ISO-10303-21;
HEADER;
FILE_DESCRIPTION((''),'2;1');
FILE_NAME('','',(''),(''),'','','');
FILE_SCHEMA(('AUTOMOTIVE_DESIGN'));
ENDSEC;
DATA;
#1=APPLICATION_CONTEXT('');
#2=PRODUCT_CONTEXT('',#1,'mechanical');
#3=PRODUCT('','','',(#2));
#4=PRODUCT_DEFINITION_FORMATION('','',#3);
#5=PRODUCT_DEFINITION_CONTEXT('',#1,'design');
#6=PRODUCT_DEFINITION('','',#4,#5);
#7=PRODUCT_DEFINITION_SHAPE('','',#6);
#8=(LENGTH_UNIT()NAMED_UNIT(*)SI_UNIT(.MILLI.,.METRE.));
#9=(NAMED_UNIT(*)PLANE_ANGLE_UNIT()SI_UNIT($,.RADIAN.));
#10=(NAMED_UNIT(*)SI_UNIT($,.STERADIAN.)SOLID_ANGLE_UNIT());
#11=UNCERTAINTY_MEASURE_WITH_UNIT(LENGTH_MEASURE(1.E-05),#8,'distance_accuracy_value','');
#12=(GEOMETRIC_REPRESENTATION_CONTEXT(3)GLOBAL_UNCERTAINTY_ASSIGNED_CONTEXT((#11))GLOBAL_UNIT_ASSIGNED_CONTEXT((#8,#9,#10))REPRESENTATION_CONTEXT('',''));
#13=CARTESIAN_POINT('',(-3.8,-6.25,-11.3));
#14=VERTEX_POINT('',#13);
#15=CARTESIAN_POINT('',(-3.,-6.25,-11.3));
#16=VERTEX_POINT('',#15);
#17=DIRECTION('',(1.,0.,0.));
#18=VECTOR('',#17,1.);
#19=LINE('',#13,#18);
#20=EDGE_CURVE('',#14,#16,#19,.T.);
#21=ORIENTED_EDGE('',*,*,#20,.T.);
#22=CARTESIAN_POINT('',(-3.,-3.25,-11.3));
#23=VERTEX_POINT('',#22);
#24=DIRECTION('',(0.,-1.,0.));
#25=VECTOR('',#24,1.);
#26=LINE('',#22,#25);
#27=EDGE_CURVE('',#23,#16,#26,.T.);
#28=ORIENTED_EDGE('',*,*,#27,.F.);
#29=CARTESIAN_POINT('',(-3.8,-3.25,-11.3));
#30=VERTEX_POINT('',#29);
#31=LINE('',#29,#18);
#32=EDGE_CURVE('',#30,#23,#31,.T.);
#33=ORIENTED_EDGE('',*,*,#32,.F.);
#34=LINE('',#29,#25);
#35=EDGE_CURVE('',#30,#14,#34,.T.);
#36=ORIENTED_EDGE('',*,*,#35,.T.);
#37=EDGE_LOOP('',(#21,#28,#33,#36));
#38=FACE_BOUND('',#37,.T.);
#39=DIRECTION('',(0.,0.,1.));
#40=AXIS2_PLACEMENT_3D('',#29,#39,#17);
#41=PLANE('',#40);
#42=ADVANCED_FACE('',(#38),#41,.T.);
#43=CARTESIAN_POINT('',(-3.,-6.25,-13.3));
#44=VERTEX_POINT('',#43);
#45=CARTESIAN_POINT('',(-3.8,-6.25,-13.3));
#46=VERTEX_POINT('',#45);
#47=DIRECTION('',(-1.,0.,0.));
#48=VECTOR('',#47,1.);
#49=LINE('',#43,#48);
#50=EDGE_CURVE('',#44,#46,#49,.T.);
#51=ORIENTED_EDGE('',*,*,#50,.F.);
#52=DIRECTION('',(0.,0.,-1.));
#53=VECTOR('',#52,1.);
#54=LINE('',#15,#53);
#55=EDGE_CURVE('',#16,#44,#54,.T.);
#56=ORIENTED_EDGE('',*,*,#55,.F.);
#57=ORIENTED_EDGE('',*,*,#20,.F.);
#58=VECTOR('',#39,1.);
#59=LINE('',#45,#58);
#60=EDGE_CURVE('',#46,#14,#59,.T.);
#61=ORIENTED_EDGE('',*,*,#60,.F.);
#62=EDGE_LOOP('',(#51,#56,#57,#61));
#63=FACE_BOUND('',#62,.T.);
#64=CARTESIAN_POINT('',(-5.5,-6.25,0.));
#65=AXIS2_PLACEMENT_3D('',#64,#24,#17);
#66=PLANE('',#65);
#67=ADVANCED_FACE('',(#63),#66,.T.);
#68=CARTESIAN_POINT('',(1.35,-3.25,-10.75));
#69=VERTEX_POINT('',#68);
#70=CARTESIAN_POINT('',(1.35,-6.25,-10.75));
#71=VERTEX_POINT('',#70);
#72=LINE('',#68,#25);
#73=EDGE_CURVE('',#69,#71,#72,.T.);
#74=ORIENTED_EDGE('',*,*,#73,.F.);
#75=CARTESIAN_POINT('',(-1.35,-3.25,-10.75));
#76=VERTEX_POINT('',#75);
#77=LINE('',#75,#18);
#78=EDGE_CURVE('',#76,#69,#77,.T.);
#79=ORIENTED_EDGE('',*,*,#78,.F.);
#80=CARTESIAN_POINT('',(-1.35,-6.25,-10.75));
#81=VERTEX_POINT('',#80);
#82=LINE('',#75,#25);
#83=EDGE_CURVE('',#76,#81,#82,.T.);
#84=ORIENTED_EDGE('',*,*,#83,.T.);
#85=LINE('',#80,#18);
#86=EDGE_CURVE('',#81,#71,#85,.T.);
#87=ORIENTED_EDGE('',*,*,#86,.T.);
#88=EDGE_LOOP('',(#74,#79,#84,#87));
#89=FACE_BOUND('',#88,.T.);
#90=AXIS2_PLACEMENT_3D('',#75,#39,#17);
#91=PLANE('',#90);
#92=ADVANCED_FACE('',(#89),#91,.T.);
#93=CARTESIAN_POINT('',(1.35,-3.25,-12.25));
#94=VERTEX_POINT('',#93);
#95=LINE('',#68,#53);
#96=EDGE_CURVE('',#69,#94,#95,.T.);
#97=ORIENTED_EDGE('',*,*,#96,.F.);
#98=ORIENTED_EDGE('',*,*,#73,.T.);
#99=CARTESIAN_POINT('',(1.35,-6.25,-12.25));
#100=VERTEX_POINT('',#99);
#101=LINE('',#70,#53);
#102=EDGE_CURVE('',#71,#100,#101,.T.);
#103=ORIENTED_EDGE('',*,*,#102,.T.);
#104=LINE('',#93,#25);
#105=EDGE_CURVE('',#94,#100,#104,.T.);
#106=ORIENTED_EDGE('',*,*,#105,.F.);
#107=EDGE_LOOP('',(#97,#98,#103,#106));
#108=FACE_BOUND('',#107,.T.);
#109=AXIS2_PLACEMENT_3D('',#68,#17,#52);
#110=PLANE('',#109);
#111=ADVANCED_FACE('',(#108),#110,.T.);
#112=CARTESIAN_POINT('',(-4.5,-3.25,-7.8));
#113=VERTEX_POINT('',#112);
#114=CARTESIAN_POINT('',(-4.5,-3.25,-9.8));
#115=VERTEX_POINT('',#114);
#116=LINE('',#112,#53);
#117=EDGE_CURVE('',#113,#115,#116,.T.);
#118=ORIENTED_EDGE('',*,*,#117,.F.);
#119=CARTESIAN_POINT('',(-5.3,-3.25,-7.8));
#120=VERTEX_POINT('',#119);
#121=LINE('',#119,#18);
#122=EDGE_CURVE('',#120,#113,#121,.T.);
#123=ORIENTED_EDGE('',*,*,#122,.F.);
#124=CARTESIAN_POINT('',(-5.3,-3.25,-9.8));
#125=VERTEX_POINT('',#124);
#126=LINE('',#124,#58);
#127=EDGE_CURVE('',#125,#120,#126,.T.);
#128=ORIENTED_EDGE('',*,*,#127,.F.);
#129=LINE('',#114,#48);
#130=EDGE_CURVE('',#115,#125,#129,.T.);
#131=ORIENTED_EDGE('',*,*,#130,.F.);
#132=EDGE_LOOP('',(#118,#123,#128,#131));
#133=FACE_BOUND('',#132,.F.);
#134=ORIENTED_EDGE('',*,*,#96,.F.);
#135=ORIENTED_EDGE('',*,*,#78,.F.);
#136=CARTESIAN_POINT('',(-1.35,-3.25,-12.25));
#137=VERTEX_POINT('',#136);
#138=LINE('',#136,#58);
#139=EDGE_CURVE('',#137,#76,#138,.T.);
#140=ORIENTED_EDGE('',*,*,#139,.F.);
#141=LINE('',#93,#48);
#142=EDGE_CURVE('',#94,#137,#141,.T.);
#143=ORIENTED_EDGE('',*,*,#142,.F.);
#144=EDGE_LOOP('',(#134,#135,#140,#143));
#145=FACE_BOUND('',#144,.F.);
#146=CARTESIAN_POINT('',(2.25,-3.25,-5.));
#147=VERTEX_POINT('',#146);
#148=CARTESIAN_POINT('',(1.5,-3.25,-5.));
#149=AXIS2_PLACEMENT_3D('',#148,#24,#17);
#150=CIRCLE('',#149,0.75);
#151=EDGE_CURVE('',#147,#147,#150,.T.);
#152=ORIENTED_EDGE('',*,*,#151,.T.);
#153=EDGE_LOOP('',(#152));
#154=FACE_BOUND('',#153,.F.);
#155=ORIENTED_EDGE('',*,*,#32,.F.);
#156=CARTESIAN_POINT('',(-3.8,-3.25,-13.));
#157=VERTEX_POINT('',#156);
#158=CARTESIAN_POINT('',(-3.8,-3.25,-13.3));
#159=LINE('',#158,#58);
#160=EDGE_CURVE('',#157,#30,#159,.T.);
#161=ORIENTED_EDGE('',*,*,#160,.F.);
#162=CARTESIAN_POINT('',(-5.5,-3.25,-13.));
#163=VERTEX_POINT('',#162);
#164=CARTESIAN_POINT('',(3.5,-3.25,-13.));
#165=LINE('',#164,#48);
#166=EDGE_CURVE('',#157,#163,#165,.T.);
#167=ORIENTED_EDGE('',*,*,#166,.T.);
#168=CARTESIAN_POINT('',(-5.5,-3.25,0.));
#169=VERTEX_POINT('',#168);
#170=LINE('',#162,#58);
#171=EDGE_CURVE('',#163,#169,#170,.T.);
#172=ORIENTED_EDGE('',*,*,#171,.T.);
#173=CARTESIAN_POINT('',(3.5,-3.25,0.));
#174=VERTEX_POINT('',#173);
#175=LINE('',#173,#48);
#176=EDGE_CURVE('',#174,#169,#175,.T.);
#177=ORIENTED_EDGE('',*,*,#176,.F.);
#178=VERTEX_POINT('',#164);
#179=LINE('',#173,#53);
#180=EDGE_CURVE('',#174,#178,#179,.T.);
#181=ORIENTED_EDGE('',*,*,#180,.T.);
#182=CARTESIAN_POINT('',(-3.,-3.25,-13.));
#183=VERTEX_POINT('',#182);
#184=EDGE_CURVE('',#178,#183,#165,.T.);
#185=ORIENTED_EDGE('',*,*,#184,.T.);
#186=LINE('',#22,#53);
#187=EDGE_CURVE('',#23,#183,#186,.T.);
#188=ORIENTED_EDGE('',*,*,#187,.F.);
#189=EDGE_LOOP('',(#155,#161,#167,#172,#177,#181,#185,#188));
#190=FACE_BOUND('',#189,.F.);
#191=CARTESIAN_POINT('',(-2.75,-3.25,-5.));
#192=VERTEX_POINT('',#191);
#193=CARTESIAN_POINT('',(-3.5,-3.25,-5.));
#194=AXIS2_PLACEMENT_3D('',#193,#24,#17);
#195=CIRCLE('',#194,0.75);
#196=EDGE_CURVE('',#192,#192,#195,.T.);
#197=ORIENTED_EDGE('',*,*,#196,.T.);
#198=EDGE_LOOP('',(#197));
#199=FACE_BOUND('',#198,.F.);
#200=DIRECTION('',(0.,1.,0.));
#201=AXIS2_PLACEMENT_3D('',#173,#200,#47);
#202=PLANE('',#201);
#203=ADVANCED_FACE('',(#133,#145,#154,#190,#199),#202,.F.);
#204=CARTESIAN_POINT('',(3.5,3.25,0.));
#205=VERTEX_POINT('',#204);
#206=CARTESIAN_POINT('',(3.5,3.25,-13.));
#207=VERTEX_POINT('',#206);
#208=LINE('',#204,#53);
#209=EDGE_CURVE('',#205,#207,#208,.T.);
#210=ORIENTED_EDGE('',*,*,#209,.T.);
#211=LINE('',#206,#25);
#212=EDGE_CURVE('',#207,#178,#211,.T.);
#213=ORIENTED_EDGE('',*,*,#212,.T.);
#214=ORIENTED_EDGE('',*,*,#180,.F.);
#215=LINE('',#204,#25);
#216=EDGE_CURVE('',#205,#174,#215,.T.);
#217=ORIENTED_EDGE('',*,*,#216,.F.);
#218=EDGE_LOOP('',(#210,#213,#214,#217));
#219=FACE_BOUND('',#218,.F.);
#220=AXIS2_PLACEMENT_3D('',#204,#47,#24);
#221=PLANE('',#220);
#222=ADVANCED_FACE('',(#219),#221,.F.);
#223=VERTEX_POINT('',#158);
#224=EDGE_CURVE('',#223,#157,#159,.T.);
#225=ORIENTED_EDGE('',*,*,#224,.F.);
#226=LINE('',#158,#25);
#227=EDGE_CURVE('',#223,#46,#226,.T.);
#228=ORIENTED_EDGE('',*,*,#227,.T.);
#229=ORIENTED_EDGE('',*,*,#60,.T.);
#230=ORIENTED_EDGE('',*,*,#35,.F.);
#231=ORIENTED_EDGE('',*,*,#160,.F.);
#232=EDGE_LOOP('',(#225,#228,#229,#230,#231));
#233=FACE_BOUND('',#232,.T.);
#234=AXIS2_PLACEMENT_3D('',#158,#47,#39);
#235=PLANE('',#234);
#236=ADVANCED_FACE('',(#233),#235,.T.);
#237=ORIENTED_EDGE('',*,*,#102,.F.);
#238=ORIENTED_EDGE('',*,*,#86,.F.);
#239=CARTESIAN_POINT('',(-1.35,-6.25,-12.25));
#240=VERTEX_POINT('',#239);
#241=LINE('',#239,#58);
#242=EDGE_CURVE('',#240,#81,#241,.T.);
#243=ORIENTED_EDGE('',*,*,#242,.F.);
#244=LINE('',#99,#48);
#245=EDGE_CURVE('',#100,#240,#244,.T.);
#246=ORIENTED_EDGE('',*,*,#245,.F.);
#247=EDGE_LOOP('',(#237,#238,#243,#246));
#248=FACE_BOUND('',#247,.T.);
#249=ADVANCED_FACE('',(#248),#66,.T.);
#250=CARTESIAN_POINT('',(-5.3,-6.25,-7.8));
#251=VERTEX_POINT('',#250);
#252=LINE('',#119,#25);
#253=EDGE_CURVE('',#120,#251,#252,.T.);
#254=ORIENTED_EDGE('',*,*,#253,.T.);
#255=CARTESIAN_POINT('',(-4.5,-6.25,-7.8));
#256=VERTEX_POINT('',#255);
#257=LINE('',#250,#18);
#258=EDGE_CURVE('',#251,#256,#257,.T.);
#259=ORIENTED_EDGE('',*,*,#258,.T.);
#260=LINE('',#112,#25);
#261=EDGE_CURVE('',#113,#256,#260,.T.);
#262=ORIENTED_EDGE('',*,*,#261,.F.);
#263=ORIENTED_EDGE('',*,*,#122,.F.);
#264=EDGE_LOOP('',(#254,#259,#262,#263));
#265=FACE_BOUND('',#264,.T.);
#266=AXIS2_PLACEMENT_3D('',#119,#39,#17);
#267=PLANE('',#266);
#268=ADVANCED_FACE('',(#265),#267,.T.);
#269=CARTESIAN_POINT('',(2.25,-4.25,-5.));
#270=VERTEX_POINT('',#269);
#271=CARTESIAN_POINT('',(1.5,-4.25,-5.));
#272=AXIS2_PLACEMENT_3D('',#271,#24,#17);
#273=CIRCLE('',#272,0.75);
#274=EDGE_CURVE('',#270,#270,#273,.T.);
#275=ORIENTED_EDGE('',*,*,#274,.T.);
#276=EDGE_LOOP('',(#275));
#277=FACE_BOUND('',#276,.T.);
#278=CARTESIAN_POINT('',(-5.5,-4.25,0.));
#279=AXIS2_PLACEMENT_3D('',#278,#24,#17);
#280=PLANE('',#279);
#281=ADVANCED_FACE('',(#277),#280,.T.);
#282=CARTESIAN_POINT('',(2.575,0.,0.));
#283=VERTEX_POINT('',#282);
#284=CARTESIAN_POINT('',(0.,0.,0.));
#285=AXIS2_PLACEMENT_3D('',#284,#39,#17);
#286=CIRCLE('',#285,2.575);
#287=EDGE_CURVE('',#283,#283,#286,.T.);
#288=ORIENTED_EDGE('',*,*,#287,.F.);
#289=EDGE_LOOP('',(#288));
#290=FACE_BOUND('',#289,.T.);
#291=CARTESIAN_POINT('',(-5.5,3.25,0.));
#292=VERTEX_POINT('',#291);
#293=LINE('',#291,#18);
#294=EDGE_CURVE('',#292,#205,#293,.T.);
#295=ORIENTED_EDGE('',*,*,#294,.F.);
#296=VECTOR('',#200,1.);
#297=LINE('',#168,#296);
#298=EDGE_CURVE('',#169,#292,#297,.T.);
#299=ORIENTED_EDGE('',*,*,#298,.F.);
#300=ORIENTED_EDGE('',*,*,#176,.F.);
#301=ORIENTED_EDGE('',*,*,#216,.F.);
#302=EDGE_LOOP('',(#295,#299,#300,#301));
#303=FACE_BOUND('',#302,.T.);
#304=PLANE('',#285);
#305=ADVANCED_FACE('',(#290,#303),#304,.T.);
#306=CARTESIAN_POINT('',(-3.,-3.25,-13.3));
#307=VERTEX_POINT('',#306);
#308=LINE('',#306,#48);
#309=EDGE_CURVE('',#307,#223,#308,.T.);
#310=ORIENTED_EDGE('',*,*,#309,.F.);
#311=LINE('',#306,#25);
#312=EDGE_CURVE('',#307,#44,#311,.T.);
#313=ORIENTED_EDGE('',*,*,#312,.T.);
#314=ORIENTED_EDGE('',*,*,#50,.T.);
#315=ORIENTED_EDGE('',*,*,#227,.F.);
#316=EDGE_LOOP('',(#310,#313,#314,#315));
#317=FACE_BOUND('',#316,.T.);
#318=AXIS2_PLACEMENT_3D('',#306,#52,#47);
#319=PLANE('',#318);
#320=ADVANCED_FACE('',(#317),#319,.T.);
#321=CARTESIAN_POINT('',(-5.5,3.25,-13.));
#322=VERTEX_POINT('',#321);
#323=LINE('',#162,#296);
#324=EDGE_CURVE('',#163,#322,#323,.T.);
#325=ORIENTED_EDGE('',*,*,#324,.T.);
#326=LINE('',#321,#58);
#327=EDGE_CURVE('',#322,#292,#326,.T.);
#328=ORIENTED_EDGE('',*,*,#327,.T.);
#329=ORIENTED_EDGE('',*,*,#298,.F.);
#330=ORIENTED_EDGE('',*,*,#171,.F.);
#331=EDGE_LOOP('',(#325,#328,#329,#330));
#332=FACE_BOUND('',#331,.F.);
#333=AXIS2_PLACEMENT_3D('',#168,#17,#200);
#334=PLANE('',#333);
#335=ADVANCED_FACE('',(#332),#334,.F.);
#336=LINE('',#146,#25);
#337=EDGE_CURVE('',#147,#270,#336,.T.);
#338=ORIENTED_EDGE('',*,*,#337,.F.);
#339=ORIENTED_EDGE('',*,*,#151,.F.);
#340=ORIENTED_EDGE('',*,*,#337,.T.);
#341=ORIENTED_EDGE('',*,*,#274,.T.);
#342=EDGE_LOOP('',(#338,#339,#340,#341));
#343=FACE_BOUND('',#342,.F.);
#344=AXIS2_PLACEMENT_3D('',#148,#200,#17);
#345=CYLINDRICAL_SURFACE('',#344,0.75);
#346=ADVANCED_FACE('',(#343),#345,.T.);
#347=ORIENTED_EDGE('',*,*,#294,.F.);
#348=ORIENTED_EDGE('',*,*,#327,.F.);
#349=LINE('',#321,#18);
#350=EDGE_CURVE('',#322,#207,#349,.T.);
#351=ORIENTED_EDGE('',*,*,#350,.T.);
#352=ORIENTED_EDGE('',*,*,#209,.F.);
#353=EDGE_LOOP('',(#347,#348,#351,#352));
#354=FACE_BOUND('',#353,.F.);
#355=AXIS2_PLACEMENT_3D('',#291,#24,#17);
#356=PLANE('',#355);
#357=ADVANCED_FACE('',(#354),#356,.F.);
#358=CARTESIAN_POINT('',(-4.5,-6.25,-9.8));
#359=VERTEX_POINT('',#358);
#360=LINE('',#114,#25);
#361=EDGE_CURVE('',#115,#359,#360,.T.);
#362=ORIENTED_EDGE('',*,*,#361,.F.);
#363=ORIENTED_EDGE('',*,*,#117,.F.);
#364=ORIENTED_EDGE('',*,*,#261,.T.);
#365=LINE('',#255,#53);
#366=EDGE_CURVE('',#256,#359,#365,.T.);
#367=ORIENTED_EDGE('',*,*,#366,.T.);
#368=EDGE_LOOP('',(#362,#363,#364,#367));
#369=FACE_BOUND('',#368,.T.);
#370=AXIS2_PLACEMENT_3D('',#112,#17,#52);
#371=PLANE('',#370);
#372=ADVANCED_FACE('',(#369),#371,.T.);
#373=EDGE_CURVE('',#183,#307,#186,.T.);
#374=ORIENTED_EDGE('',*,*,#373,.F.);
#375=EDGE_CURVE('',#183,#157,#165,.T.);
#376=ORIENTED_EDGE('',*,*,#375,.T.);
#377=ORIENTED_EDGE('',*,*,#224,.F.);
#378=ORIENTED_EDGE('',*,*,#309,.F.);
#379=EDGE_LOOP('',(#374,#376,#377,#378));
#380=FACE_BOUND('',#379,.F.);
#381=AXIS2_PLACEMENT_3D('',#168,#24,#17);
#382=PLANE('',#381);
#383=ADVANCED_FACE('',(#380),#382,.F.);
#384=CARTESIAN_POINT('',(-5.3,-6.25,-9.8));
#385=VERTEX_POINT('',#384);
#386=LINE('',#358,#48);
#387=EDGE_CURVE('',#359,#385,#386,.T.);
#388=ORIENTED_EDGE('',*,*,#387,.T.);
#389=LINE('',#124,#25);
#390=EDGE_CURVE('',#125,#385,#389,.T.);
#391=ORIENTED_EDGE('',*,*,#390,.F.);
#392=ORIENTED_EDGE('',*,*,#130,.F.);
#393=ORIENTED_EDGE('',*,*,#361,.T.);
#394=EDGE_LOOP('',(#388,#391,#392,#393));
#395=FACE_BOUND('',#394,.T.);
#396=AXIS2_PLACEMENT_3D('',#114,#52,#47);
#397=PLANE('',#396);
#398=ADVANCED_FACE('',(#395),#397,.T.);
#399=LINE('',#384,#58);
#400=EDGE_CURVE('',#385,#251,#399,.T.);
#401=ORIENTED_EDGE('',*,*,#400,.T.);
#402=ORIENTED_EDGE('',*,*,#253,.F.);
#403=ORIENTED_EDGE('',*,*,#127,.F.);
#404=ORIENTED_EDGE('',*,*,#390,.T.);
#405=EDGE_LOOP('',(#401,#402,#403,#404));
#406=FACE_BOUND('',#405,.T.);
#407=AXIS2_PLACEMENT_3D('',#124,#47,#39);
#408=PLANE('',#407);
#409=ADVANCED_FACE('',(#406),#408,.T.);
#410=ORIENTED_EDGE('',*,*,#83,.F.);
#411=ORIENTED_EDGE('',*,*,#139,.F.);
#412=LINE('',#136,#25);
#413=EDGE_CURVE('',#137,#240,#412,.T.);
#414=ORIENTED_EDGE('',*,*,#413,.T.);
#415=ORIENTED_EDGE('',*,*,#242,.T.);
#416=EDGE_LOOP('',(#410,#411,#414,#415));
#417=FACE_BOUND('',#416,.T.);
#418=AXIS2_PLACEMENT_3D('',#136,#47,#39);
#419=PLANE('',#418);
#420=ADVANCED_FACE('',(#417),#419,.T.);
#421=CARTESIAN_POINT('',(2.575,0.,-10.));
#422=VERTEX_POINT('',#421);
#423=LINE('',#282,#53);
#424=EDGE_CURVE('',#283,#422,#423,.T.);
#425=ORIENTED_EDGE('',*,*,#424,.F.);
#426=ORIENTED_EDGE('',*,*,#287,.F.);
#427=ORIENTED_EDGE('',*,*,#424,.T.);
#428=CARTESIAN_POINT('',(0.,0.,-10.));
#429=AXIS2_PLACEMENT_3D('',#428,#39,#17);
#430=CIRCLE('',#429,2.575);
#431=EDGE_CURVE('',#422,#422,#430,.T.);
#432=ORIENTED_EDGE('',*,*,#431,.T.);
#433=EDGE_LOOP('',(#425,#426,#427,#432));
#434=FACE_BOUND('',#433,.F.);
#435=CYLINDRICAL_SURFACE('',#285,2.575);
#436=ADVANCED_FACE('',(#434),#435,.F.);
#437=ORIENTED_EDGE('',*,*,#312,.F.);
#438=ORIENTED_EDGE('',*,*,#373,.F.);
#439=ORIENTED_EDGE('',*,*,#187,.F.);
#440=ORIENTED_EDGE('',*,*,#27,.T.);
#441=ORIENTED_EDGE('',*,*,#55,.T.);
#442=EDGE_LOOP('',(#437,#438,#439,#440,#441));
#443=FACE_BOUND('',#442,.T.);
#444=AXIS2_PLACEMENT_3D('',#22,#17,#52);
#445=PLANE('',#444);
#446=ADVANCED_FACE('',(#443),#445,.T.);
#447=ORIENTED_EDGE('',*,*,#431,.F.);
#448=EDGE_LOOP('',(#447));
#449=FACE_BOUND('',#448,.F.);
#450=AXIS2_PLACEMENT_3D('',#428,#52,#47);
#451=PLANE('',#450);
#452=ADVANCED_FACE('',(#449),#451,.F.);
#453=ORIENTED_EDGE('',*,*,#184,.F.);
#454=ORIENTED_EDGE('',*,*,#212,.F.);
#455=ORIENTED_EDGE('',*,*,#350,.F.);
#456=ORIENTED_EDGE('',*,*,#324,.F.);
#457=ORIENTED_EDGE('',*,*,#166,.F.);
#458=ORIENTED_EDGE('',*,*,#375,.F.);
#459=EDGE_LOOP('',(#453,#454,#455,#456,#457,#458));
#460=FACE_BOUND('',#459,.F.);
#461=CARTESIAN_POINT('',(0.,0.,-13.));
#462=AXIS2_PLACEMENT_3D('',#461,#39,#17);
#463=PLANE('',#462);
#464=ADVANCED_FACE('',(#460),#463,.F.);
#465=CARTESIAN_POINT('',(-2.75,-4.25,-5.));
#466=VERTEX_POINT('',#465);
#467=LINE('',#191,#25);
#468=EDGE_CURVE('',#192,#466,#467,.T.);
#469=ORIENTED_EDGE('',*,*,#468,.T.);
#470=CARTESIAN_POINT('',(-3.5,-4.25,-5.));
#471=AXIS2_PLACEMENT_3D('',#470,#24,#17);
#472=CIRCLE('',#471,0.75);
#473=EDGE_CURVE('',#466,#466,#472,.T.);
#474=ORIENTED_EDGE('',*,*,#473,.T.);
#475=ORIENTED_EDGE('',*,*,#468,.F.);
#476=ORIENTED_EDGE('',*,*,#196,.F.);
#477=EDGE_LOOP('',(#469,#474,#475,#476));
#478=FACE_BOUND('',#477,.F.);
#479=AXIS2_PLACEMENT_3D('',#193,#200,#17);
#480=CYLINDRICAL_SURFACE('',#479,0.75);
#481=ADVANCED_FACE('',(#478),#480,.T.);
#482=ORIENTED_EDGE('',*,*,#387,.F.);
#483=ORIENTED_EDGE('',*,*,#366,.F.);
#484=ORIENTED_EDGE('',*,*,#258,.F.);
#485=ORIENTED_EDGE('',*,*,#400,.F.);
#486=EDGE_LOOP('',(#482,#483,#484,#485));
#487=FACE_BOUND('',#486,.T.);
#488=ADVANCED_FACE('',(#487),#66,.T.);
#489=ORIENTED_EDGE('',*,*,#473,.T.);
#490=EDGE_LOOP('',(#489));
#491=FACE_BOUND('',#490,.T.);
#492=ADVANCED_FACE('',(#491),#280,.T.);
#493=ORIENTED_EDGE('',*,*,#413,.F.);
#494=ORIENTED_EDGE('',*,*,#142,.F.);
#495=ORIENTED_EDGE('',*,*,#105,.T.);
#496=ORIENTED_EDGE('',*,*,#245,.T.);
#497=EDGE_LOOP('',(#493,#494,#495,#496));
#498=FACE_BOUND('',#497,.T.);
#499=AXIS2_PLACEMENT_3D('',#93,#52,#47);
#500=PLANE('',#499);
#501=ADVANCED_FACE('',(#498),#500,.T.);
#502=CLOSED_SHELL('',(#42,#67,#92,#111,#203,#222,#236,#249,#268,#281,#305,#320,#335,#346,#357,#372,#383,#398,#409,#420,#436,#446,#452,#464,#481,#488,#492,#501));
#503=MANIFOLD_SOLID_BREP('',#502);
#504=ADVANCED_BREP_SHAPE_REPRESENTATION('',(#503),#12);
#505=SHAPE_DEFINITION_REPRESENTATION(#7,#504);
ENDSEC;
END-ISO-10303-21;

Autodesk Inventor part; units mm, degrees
ref_plane "YZ Plane" through (0, 0, 0) normal (1, 0, 0) x (0, 1, 0)
ref_plane "XZ Plane" through (0, 0, 0) normal (0, 1, 0) x (-1, 0, 0)
ref_plane "XY Plane" through (0, 0, 0) normal (0, 0, 1) x (1, 0, 0)
sketch "スケッチ1" plane through (0, 0, 0) normal (0, 0, 1) x (1, 0, 0)
  line L0 (-5.5, 3.25) -> (3.5, 3.25)
  line L1 (3.5, 3.25) -> (3.5, -3.25)
  line L2 (3.5, -3.25) -> (-5.5, -3.25)
  line L3 (-5.5, -3.25) -> (-5.5, 3.25)
  line L4 (-5.5, 3.25) -> (3.5, -3.25) construction
  line L5 (3.5, 3.25) -> (-5.5, -3.25) construction
  circle A0 centre (0, 0) radius 2.575
  point P0 (-1, 0)
  point P1 (-1, 0)
  dimension "d0" = 5.15
  dimension "d1" = 9
  dimension "d2" = 3.5
  dimension "d3" = 6.5
extrude "押し出し1" add sketch "スケッチ1" against normal blind 13
sketch "スケッチ2" plane through (-5.5, -3.25, 0) normal (0, -1, 0) x (1, 0, 0)
  circle A0 centre (7, -5) radius 0.75
  circle A1 centre (2, -5) radius 0.75
  line L0 (9, 0) -> (0, 0) projected
  point P0 (5.5, 0)
  dimension "d6" = 1.5
  dimension "d7" = 5
  dimension "d8" = 1.5
  dimension "d9" = 3.5
extrude "押し出し2" add sketch "スケッチ2" along normal blind 1
sketch "スケッチ3" plane through (-5.5, -3.25, 0) normal (0, -1, 0) x (1, 0, 0)
  line L0 (4.15, -10.75) -> (6.85, -10.75)
  line L1 (6.85, -10.75) -> (6.85, -12.25)
  line L2 (6.85, -12.25) -> (4.15, -12.25)
  line L3 (4.15, -12.25) -> (4.15, -10.75)
  line L4 (4.15, -10.75) -> (6.85, -12.25) construction
  line L5 (6.85, -10.75) -> (4.15, -12.25) construction
  circle A0 centre (7, -5) radius 0.75 projected
  line L6 (1.7, -11.3) -> (2.5, -11.3)
  line L7 (2.5, -11.3) -> (2.5, -13.3)
  line L8 (2.5, -13.3) -> (1.7, -13.3)
  line L9 (1.7, -13.3) -> (1.7, -11.3)
  line L10 (1.7, -11.3) -> (2.5, -13.3) construction
  line L11 (2.5, -11.3) -> (1.7, -13.3) construction
  line L12 (0.2, -7.8) -> (1, -7.8)
  line L13 (1, -7.8) -> (1, -9.8)
  line L14 (1, -9.8) -> (0.2, -9.8)
  line L15 (0.2, -9.8) -> (0.2, -7.8)
  line L16 (0.2, -7.8) -> (1, -9.8) construction
  line L17 (1, -7.8) -> (0.2, -9.8) construction
  circle A1 centre (2, -5) radius 0.75 projected
  point P0 (5.5, 0)
  point P1 (5.5, -11.5)
  point P2 (5.5, -11.5)
  point P3 (2.1, -12.3)
  point P4 (0.6, -8.8)
  dimension "d12" = 1.5
  dimension "d13" = 2.7
  dimension "d15" = 6.5
  dimension "d16" = 0.8
  dimension "d17" = 2
  dimension "d18" = 4.9
  dimension "d19" = 3.8
  dimension "d20" = 3.4
  dimension "d21" = 7.3
extrude "押し出し3" add sketch "スケッチ3" along normal blind 3 contours L0 L1 L2 L3 | L6 L7 L8 L9 | L12 L13 L14 L15
sketch "スケッチ4" plane through (0, 0, -13) normal (0, 0, -1) x (-1, 0, 0)
  line L0 (-3.5, 3.25) -> (-3.5, -3.25) projected
  line L1 (5.5, -3.25) -> (5.5, 3.25) projected
  line L2 (-3.5, 3.25) -> (5.5, 3.25)
  line L3 (5.5, 3.25) -> (5.5, -3.25)
  line L4 (5.5, -3.25) -> (-3.5, -3.25)
  line L5 (-3.5, -3.25) -> (-3.5, 3.25)
  point P0 (0, 0)
extrude "押し出し4" add sketch "スケッチ4" against normal blind 3
properties part number "Circuit_HEC3110-01-010"
